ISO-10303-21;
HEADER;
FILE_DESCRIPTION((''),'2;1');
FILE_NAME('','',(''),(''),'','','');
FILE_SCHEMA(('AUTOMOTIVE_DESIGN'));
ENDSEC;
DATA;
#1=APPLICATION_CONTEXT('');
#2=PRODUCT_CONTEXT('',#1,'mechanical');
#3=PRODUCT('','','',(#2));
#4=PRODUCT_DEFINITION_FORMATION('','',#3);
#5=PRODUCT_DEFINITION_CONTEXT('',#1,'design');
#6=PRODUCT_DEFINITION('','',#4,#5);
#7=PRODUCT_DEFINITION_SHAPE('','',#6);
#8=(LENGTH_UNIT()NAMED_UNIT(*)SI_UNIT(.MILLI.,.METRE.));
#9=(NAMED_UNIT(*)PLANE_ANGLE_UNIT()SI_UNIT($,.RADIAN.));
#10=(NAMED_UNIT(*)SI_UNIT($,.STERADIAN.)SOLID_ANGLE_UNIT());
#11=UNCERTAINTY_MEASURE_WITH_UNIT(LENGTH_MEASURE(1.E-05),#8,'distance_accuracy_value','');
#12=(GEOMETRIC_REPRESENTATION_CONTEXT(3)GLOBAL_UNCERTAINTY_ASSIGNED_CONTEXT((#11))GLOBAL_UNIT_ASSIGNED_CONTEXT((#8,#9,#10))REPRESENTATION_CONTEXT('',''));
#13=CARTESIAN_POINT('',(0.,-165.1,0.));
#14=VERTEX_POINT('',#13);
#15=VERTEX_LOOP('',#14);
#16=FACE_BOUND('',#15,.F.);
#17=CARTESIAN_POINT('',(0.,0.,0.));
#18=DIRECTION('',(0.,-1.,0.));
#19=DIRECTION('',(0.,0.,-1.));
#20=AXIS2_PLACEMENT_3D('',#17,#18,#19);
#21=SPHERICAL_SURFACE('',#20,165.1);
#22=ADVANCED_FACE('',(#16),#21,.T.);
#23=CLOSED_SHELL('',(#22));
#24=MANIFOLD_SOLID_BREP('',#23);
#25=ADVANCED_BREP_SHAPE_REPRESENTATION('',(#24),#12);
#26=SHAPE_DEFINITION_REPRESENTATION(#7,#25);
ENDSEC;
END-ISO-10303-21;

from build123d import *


with BuildPart() as part:
    # Sketch1 → Revolve1 (revolve)
    with BuildSketch(Plane(origin=(0, 0, 0), x_dir=(0, 0, -1), z_dir=(1, 0, 0))):
        with BuildLine():
            Line((0, -165.1), (0, 165.1))
            ThreePointArc((0, 165.1), (165.1, 0), (0, -165.1))
        make_face()
    revolve(axis=Axis((0, -165.1, 0), (0, 1, 0)))


solid = part.part
